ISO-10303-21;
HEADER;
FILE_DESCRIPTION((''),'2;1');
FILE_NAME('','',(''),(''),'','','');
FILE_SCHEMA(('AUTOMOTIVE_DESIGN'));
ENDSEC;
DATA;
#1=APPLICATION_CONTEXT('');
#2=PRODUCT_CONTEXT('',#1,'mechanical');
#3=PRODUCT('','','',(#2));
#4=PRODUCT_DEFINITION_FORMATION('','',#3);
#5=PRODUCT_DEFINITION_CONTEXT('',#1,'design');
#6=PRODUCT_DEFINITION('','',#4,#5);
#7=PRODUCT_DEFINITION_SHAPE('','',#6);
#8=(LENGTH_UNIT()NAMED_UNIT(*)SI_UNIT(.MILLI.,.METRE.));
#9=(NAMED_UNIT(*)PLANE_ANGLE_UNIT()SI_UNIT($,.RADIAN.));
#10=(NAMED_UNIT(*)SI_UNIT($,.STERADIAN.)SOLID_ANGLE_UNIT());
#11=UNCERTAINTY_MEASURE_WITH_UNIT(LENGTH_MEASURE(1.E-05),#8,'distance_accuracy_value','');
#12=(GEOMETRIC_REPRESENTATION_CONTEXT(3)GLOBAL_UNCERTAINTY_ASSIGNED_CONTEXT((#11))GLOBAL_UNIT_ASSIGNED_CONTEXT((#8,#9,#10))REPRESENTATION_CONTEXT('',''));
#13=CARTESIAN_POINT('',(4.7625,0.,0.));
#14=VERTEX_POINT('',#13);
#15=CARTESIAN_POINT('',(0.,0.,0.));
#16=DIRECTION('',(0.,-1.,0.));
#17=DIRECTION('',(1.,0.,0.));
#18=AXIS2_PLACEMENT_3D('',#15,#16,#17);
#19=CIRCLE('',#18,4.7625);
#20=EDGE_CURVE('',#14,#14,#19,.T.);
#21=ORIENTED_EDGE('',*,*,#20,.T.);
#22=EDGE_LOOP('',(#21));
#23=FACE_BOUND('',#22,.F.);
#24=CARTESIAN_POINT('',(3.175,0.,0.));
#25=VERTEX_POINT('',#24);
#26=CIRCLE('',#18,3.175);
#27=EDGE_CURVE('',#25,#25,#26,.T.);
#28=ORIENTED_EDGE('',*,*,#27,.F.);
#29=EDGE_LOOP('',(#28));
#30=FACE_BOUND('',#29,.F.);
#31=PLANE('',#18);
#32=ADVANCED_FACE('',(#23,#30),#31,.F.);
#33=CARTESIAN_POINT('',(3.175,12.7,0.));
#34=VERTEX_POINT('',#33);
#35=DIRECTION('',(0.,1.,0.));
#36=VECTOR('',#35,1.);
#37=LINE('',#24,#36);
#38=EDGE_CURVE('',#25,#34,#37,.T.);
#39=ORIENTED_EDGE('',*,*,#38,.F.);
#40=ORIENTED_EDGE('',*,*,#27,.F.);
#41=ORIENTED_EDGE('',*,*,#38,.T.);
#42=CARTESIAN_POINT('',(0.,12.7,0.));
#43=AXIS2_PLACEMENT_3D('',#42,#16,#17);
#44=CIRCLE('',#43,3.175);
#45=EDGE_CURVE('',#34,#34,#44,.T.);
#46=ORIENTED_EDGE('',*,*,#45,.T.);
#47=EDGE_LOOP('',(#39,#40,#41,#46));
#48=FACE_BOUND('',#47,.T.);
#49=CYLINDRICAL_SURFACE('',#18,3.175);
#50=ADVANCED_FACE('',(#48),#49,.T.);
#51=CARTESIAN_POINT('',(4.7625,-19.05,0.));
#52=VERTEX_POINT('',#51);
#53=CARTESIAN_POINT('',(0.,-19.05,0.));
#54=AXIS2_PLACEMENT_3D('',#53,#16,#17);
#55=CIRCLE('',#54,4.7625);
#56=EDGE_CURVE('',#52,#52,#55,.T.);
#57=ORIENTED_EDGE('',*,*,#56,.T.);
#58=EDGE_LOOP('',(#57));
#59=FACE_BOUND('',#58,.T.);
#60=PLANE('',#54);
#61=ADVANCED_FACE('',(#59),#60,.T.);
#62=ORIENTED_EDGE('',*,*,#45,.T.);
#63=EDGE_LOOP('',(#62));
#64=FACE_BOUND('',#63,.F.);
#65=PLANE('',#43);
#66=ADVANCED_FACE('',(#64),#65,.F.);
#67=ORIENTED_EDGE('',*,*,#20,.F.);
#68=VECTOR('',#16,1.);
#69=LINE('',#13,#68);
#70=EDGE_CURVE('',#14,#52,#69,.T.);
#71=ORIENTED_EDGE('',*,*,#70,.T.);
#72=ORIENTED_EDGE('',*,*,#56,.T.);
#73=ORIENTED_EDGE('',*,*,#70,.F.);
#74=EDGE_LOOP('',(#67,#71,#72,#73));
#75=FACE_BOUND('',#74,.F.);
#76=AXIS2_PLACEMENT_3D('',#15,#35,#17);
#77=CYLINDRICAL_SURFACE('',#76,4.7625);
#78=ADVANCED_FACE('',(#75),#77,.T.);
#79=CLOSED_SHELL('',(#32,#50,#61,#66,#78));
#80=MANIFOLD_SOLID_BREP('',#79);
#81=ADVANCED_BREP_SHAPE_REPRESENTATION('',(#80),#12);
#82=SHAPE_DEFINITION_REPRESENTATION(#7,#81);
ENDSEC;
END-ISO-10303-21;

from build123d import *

# Parameters (mm, degrees)
F0_R     = 4.7625
F0_R_2   = 3.175
F1_DEPTH = 19.05
F2_DEPTH = 12.7


with BuildPart() as f1:
    # F0 (on Front) → F1 (new body)
    with BuildSketch(Plane.XZ):
        Circle(F0_R)
        Circle(F0_R_2, mode=Mode.SUBTRACT)
        Circle(F0_R_2)
    extrude(amount=F1_DEPTH)

    # F0 (on Front) → F2 (join)
    with BuildSketch(Plane.XZ):
        Circle(F0_R_2)
    extrude(amount=-F2_DEPTH)


solid = f1.part
